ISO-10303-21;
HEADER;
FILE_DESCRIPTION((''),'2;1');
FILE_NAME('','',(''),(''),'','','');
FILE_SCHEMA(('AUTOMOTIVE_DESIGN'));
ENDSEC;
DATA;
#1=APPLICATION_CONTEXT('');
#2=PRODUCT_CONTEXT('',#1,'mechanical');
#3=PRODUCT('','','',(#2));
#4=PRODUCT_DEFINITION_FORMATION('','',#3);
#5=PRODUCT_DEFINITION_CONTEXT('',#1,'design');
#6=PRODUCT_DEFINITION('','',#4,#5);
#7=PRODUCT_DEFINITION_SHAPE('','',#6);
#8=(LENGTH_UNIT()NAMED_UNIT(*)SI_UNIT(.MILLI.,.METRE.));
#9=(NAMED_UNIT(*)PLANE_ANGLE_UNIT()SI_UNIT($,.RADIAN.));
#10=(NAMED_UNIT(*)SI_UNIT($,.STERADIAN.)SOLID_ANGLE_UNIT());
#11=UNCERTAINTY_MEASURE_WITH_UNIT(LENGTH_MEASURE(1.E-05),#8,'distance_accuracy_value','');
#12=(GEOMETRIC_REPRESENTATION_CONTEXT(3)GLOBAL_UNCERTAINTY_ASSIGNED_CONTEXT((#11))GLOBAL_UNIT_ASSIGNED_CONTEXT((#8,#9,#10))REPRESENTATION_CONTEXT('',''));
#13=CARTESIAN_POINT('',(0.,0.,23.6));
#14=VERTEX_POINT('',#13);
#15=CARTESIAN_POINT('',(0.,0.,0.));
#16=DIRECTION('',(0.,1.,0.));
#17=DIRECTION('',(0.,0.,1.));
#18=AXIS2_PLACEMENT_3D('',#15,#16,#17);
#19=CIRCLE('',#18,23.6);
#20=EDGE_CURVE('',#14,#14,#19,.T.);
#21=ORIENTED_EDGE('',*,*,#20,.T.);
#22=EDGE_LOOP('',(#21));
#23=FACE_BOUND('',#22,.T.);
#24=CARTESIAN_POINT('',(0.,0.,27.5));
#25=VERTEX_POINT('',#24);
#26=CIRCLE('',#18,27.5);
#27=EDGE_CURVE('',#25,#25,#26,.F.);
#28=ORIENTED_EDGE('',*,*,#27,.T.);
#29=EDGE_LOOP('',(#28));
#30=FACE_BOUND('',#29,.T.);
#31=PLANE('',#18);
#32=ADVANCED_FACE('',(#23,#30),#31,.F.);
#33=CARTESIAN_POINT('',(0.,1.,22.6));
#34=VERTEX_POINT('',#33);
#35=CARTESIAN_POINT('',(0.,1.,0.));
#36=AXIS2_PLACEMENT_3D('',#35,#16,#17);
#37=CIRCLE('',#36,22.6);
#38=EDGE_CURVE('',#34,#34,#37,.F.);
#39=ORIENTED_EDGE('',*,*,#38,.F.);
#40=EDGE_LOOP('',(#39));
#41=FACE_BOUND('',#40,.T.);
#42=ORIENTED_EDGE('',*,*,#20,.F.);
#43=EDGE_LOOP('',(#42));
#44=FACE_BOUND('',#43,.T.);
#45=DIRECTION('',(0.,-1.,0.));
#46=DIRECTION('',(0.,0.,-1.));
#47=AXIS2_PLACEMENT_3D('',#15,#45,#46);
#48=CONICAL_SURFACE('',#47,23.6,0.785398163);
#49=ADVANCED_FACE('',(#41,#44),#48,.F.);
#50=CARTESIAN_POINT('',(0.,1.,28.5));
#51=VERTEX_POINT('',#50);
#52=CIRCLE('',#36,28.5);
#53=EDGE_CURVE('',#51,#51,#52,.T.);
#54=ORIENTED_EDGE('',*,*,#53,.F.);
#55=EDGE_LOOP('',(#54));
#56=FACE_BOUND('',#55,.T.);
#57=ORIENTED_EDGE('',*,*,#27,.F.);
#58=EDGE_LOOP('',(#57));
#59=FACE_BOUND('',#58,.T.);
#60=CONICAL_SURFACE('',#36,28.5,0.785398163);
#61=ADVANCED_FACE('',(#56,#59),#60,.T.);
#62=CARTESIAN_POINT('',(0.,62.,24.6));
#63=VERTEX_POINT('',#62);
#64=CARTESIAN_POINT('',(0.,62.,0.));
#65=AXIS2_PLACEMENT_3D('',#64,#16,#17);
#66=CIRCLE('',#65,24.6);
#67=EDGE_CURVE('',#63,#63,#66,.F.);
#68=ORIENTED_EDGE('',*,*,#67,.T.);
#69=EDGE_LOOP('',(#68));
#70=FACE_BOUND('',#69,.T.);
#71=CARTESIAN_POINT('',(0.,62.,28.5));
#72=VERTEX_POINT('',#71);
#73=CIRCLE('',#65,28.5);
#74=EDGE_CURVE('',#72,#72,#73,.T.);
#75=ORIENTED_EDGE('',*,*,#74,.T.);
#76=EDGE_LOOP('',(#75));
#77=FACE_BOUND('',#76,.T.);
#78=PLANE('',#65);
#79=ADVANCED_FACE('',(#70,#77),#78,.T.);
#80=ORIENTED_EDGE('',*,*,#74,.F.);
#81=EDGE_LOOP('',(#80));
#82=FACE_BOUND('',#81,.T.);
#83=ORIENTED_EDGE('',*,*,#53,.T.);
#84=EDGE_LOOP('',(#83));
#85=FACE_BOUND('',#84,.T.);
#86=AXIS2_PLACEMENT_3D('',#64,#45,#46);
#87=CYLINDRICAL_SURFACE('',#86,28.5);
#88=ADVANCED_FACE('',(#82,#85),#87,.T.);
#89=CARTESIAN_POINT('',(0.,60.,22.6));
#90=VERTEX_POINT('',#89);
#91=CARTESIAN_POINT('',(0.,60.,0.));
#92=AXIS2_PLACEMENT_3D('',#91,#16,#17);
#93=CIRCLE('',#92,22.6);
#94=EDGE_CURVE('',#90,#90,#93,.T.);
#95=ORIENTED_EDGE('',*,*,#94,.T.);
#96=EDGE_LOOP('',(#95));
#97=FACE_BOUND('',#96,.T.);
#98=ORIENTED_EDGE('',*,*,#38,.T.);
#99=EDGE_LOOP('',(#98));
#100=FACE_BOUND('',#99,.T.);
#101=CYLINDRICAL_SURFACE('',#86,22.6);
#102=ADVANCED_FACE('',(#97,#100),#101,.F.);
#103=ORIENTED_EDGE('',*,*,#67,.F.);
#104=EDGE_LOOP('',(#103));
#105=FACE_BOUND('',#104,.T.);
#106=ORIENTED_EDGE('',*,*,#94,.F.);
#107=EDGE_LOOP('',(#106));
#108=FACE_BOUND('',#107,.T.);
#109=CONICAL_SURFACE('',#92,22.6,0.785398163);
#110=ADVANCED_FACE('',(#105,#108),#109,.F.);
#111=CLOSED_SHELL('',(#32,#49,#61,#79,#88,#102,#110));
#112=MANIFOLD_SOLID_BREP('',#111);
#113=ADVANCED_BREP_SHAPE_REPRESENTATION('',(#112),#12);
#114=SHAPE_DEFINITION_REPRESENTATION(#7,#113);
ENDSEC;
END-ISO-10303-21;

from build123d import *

# Parameters (mm, degrees)
SKETCH2_R           = 28.5
SKETCH2_R_2         = 22.6
BOSS_EXTRUDE1_DEPTH = 62
CHAMFER1_SIZE       = 2
CHAMFER2_SIZE       = 1
CHAMFER3_SIZE       = 1


with BuildPart() as part:
    # Sketch2 → Boss-Extrude1 (new body)
    with BuildSketch(Plane(origin=(0, 0, 0), x_dir=(1, 0, 0), z_dir=(0, 1, 0))):
        with Locations(Location((0, 0, 0), (0, 0, 270))):
            Circle(SKETCH2_R)
        with Locations(Location((0, 0, 0), (0, 0, 270))):
            Circle(SKETCH2_R_2, mode=Mode.SUBTRACT)
    extrude(amount=BOSS_EXTRUDE1_DEPTH)

    # Chamfer1
    chamfer1_edges = [part.edges().sort_by_distance(p)[0] for p in [
        (0, 62, -22.6),
    ]]
    chamfer(chamfer1_edges, length=CHAMFER1_SIZE)

    # Chamfer2
    chamfer2_edges = [part.edges().sort_by_distance(p)[0] for p in [
        (0, 0, -22.6),
    ]]
    chamfer(chamfer2_edges, length=CHAMFER2_SIZE)

    # Chamfer3
    chamfer3_edges = [part.edges().sort_by_distance(p)[0] for p in [
        (0, 0, -28.5),
    ]]
    chamfer(chamfer3_edges, length=CHAMFER3_SIZE)


solid = part.part
